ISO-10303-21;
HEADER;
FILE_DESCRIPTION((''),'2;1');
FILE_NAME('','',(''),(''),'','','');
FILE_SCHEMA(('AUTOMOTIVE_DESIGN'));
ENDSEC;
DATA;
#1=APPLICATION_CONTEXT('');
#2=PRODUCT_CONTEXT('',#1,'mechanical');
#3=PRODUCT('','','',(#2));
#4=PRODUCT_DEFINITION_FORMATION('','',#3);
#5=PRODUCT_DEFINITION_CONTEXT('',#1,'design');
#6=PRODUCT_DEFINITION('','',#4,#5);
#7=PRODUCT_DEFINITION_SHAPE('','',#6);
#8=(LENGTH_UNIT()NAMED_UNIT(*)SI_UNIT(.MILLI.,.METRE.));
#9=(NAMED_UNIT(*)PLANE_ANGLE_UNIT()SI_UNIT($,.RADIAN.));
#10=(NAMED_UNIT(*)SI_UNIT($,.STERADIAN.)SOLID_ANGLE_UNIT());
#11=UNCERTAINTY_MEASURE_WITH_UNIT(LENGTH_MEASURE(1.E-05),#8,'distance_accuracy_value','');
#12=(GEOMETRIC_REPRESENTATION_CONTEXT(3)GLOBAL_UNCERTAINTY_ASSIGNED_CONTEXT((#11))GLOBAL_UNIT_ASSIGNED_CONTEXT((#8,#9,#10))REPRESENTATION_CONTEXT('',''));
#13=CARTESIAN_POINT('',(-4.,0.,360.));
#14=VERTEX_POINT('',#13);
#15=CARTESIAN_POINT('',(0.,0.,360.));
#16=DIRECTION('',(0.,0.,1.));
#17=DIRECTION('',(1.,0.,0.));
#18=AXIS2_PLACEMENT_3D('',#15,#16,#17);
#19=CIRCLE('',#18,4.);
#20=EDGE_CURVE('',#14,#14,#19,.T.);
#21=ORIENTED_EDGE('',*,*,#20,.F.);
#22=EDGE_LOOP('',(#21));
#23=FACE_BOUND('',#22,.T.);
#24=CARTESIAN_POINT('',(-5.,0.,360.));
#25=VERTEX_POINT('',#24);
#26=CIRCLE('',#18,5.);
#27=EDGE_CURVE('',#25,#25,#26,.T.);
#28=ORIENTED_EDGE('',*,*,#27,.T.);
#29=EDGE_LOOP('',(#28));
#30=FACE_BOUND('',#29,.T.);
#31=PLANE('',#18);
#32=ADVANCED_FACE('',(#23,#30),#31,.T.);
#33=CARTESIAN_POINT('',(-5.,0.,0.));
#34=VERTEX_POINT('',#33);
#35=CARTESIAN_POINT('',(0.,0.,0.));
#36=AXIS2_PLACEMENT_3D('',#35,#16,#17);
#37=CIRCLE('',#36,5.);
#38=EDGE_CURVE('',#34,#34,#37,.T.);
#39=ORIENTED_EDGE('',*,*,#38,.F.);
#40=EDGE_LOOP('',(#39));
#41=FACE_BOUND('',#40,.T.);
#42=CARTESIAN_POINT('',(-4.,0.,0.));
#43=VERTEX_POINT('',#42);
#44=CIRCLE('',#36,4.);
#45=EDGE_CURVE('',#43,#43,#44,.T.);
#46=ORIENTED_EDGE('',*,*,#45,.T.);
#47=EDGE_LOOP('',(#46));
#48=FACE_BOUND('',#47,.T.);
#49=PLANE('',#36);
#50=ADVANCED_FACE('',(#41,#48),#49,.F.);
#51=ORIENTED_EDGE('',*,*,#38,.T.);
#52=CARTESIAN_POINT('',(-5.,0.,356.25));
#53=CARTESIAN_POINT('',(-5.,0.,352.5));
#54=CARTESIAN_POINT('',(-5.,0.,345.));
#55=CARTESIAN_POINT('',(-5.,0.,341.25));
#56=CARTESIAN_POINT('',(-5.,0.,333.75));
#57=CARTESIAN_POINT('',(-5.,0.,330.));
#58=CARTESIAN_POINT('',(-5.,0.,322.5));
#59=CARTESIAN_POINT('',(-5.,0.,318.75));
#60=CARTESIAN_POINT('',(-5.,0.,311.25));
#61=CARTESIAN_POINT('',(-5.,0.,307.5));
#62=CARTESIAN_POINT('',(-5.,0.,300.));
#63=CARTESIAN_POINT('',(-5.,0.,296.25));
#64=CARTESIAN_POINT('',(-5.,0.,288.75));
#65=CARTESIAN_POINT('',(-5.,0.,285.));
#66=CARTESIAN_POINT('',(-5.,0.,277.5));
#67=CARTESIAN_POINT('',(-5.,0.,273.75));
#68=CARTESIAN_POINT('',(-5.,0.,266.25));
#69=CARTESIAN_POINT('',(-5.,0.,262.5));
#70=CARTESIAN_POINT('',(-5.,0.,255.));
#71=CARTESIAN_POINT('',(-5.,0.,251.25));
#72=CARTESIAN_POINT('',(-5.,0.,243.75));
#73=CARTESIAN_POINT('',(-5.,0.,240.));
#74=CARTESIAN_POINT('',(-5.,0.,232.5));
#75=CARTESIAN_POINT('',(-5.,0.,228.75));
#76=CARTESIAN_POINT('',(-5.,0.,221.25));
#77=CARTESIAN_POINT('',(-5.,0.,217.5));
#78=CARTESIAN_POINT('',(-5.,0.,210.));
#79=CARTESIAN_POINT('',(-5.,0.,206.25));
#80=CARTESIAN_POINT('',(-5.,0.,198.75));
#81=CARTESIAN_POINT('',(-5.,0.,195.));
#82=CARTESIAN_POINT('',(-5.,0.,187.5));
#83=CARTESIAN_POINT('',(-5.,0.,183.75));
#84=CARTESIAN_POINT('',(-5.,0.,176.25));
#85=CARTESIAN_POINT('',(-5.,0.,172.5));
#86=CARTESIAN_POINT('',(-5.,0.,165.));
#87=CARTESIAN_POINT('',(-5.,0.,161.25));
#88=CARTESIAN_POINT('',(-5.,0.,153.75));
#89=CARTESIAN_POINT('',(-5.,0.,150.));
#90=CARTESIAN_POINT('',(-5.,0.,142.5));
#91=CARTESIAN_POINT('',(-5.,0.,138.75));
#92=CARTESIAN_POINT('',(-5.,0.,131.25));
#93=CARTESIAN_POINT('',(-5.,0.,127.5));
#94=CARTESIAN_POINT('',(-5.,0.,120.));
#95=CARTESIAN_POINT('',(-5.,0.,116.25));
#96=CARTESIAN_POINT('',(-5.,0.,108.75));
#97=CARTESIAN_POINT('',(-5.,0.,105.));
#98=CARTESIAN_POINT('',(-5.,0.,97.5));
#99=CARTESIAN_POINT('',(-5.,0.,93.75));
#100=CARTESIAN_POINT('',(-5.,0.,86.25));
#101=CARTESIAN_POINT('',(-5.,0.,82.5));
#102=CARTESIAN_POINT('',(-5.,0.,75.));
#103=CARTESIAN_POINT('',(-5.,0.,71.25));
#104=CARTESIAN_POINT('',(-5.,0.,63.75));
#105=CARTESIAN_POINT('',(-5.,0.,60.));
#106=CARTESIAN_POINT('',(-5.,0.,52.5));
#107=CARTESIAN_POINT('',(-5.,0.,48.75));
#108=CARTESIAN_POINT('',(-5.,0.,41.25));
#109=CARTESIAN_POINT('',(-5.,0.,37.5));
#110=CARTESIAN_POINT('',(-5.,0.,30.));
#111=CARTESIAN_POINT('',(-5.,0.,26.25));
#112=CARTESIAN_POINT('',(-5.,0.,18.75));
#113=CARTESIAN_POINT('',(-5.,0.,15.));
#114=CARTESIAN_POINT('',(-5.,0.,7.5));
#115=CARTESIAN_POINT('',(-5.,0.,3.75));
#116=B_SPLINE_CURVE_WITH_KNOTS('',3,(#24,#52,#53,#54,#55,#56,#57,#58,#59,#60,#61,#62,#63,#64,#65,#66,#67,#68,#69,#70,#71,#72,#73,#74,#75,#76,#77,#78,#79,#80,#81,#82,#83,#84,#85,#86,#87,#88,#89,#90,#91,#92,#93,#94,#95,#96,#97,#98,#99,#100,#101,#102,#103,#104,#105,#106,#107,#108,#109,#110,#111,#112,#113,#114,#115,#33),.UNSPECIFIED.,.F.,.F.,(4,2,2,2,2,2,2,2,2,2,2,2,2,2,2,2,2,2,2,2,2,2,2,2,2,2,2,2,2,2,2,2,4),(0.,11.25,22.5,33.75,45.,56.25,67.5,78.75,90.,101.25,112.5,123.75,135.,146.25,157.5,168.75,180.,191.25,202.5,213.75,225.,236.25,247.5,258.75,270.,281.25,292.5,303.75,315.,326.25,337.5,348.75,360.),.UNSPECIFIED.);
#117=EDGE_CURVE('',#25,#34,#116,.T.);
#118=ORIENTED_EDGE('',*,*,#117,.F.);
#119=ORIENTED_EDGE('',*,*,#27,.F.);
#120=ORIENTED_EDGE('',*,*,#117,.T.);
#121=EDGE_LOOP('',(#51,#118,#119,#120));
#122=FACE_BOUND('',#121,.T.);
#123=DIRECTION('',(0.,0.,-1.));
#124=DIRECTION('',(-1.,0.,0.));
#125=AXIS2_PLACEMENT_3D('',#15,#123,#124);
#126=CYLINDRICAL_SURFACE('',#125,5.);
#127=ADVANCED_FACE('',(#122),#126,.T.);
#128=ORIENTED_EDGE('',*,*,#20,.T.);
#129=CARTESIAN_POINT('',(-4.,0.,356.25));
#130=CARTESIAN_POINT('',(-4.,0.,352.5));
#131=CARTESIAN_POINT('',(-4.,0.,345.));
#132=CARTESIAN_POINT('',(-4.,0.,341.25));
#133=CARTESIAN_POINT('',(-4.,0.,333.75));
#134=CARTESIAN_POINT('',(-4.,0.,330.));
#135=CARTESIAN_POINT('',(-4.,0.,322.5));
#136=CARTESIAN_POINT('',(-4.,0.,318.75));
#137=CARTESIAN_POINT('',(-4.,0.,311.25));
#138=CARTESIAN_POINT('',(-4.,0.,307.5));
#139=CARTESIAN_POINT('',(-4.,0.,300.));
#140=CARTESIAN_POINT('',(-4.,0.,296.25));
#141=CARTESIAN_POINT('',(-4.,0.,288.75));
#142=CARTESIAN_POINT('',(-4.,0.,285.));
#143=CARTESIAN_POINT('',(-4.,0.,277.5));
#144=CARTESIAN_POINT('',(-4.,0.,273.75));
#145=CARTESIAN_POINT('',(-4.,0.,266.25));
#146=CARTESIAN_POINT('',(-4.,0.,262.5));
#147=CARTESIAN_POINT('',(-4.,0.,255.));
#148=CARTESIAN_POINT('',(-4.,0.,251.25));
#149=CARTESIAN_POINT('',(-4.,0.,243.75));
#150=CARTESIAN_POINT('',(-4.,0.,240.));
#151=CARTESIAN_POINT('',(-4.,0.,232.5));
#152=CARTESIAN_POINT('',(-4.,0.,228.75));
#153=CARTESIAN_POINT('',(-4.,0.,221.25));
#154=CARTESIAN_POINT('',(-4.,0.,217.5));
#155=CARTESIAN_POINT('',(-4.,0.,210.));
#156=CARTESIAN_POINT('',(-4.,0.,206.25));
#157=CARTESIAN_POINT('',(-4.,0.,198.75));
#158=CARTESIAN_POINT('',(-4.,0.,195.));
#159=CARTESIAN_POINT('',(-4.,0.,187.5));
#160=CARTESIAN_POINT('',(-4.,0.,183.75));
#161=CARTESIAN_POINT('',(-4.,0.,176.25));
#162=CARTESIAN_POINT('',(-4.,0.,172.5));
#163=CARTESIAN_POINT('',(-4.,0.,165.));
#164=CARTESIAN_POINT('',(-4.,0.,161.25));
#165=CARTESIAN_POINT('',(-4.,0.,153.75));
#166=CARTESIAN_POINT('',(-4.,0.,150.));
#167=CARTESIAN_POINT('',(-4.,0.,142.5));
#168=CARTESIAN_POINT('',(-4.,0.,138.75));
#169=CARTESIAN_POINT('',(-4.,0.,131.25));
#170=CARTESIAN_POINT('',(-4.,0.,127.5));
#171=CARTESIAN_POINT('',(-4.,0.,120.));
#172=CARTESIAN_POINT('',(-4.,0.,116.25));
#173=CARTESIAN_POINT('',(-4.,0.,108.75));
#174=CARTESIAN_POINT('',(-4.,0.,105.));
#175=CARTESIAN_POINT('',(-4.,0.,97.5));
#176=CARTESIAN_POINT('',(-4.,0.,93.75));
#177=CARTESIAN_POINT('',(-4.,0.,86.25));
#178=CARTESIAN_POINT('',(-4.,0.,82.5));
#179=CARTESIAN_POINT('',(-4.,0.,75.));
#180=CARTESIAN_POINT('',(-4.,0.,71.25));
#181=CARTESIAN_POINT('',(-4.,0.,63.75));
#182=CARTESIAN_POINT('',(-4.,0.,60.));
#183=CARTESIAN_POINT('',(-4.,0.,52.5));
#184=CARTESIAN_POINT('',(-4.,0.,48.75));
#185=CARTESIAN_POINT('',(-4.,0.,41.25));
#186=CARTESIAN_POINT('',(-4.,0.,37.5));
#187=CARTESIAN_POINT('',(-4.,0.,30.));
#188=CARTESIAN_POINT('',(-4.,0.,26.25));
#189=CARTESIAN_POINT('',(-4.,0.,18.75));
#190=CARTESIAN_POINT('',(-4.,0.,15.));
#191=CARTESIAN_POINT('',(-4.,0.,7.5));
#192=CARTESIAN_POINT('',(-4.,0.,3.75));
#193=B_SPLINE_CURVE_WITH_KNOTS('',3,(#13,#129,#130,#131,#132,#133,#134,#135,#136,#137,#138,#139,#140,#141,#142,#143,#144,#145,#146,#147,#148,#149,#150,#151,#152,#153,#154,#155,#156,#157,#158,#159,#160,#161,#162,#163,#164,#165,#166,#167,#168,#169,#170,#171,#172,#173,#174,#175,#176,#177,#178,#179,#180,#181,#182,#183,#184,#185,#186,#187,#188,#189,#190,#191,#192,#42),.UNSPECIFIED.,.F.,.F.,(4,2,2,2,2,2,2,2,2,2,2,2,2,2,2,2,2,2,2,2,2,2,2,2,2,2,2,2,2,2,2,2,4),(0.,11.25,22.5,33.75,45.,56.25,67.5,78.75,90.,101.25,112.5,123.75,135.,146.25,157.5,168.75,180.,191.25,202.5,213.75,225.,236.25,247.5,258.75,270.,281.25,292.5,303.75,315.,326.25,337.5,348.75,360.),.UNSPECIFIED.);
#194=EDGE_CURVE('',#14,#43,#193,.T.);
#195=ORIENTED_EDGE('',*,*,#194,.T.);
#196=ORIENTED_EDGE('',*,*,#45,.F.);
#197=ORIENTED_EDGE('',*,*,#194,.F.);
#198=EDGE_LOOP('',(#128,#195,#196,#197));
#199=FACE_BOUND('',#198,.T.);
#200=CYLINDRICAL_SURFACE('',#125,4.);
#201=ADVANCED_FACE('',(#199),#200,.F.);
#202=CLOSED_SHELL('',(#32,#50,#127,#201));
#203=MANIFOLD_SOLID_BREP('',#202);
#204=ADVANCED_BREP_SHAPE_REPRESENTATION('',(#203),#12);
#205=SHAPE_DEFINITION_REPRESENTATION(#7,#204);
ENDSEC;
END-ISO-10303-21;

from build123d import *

# Parameters (mm, degrees)
SKETCH_1_R      = 5
SKETCH_1_R_2    = 4
EXTRUDE_1_DEPTH = 360


with BuildPart() as part:
    # 草图1 → 凸台-拉伸1 (new body)
    with BuildSketch(Plane.XY):
        with Locations(Location((0, 0, 0), (0, 0, 180))):
            Circle(SKETCH_1_R)
        with Locations(Location((0, 0, 0), (0, 0, 180))):
            Circle(SKETCH_1_R_2, mode=Mode.SUBTRACT)
    extrude(amount=EXTRUDE_1_DEPTH)


solid = part.part
